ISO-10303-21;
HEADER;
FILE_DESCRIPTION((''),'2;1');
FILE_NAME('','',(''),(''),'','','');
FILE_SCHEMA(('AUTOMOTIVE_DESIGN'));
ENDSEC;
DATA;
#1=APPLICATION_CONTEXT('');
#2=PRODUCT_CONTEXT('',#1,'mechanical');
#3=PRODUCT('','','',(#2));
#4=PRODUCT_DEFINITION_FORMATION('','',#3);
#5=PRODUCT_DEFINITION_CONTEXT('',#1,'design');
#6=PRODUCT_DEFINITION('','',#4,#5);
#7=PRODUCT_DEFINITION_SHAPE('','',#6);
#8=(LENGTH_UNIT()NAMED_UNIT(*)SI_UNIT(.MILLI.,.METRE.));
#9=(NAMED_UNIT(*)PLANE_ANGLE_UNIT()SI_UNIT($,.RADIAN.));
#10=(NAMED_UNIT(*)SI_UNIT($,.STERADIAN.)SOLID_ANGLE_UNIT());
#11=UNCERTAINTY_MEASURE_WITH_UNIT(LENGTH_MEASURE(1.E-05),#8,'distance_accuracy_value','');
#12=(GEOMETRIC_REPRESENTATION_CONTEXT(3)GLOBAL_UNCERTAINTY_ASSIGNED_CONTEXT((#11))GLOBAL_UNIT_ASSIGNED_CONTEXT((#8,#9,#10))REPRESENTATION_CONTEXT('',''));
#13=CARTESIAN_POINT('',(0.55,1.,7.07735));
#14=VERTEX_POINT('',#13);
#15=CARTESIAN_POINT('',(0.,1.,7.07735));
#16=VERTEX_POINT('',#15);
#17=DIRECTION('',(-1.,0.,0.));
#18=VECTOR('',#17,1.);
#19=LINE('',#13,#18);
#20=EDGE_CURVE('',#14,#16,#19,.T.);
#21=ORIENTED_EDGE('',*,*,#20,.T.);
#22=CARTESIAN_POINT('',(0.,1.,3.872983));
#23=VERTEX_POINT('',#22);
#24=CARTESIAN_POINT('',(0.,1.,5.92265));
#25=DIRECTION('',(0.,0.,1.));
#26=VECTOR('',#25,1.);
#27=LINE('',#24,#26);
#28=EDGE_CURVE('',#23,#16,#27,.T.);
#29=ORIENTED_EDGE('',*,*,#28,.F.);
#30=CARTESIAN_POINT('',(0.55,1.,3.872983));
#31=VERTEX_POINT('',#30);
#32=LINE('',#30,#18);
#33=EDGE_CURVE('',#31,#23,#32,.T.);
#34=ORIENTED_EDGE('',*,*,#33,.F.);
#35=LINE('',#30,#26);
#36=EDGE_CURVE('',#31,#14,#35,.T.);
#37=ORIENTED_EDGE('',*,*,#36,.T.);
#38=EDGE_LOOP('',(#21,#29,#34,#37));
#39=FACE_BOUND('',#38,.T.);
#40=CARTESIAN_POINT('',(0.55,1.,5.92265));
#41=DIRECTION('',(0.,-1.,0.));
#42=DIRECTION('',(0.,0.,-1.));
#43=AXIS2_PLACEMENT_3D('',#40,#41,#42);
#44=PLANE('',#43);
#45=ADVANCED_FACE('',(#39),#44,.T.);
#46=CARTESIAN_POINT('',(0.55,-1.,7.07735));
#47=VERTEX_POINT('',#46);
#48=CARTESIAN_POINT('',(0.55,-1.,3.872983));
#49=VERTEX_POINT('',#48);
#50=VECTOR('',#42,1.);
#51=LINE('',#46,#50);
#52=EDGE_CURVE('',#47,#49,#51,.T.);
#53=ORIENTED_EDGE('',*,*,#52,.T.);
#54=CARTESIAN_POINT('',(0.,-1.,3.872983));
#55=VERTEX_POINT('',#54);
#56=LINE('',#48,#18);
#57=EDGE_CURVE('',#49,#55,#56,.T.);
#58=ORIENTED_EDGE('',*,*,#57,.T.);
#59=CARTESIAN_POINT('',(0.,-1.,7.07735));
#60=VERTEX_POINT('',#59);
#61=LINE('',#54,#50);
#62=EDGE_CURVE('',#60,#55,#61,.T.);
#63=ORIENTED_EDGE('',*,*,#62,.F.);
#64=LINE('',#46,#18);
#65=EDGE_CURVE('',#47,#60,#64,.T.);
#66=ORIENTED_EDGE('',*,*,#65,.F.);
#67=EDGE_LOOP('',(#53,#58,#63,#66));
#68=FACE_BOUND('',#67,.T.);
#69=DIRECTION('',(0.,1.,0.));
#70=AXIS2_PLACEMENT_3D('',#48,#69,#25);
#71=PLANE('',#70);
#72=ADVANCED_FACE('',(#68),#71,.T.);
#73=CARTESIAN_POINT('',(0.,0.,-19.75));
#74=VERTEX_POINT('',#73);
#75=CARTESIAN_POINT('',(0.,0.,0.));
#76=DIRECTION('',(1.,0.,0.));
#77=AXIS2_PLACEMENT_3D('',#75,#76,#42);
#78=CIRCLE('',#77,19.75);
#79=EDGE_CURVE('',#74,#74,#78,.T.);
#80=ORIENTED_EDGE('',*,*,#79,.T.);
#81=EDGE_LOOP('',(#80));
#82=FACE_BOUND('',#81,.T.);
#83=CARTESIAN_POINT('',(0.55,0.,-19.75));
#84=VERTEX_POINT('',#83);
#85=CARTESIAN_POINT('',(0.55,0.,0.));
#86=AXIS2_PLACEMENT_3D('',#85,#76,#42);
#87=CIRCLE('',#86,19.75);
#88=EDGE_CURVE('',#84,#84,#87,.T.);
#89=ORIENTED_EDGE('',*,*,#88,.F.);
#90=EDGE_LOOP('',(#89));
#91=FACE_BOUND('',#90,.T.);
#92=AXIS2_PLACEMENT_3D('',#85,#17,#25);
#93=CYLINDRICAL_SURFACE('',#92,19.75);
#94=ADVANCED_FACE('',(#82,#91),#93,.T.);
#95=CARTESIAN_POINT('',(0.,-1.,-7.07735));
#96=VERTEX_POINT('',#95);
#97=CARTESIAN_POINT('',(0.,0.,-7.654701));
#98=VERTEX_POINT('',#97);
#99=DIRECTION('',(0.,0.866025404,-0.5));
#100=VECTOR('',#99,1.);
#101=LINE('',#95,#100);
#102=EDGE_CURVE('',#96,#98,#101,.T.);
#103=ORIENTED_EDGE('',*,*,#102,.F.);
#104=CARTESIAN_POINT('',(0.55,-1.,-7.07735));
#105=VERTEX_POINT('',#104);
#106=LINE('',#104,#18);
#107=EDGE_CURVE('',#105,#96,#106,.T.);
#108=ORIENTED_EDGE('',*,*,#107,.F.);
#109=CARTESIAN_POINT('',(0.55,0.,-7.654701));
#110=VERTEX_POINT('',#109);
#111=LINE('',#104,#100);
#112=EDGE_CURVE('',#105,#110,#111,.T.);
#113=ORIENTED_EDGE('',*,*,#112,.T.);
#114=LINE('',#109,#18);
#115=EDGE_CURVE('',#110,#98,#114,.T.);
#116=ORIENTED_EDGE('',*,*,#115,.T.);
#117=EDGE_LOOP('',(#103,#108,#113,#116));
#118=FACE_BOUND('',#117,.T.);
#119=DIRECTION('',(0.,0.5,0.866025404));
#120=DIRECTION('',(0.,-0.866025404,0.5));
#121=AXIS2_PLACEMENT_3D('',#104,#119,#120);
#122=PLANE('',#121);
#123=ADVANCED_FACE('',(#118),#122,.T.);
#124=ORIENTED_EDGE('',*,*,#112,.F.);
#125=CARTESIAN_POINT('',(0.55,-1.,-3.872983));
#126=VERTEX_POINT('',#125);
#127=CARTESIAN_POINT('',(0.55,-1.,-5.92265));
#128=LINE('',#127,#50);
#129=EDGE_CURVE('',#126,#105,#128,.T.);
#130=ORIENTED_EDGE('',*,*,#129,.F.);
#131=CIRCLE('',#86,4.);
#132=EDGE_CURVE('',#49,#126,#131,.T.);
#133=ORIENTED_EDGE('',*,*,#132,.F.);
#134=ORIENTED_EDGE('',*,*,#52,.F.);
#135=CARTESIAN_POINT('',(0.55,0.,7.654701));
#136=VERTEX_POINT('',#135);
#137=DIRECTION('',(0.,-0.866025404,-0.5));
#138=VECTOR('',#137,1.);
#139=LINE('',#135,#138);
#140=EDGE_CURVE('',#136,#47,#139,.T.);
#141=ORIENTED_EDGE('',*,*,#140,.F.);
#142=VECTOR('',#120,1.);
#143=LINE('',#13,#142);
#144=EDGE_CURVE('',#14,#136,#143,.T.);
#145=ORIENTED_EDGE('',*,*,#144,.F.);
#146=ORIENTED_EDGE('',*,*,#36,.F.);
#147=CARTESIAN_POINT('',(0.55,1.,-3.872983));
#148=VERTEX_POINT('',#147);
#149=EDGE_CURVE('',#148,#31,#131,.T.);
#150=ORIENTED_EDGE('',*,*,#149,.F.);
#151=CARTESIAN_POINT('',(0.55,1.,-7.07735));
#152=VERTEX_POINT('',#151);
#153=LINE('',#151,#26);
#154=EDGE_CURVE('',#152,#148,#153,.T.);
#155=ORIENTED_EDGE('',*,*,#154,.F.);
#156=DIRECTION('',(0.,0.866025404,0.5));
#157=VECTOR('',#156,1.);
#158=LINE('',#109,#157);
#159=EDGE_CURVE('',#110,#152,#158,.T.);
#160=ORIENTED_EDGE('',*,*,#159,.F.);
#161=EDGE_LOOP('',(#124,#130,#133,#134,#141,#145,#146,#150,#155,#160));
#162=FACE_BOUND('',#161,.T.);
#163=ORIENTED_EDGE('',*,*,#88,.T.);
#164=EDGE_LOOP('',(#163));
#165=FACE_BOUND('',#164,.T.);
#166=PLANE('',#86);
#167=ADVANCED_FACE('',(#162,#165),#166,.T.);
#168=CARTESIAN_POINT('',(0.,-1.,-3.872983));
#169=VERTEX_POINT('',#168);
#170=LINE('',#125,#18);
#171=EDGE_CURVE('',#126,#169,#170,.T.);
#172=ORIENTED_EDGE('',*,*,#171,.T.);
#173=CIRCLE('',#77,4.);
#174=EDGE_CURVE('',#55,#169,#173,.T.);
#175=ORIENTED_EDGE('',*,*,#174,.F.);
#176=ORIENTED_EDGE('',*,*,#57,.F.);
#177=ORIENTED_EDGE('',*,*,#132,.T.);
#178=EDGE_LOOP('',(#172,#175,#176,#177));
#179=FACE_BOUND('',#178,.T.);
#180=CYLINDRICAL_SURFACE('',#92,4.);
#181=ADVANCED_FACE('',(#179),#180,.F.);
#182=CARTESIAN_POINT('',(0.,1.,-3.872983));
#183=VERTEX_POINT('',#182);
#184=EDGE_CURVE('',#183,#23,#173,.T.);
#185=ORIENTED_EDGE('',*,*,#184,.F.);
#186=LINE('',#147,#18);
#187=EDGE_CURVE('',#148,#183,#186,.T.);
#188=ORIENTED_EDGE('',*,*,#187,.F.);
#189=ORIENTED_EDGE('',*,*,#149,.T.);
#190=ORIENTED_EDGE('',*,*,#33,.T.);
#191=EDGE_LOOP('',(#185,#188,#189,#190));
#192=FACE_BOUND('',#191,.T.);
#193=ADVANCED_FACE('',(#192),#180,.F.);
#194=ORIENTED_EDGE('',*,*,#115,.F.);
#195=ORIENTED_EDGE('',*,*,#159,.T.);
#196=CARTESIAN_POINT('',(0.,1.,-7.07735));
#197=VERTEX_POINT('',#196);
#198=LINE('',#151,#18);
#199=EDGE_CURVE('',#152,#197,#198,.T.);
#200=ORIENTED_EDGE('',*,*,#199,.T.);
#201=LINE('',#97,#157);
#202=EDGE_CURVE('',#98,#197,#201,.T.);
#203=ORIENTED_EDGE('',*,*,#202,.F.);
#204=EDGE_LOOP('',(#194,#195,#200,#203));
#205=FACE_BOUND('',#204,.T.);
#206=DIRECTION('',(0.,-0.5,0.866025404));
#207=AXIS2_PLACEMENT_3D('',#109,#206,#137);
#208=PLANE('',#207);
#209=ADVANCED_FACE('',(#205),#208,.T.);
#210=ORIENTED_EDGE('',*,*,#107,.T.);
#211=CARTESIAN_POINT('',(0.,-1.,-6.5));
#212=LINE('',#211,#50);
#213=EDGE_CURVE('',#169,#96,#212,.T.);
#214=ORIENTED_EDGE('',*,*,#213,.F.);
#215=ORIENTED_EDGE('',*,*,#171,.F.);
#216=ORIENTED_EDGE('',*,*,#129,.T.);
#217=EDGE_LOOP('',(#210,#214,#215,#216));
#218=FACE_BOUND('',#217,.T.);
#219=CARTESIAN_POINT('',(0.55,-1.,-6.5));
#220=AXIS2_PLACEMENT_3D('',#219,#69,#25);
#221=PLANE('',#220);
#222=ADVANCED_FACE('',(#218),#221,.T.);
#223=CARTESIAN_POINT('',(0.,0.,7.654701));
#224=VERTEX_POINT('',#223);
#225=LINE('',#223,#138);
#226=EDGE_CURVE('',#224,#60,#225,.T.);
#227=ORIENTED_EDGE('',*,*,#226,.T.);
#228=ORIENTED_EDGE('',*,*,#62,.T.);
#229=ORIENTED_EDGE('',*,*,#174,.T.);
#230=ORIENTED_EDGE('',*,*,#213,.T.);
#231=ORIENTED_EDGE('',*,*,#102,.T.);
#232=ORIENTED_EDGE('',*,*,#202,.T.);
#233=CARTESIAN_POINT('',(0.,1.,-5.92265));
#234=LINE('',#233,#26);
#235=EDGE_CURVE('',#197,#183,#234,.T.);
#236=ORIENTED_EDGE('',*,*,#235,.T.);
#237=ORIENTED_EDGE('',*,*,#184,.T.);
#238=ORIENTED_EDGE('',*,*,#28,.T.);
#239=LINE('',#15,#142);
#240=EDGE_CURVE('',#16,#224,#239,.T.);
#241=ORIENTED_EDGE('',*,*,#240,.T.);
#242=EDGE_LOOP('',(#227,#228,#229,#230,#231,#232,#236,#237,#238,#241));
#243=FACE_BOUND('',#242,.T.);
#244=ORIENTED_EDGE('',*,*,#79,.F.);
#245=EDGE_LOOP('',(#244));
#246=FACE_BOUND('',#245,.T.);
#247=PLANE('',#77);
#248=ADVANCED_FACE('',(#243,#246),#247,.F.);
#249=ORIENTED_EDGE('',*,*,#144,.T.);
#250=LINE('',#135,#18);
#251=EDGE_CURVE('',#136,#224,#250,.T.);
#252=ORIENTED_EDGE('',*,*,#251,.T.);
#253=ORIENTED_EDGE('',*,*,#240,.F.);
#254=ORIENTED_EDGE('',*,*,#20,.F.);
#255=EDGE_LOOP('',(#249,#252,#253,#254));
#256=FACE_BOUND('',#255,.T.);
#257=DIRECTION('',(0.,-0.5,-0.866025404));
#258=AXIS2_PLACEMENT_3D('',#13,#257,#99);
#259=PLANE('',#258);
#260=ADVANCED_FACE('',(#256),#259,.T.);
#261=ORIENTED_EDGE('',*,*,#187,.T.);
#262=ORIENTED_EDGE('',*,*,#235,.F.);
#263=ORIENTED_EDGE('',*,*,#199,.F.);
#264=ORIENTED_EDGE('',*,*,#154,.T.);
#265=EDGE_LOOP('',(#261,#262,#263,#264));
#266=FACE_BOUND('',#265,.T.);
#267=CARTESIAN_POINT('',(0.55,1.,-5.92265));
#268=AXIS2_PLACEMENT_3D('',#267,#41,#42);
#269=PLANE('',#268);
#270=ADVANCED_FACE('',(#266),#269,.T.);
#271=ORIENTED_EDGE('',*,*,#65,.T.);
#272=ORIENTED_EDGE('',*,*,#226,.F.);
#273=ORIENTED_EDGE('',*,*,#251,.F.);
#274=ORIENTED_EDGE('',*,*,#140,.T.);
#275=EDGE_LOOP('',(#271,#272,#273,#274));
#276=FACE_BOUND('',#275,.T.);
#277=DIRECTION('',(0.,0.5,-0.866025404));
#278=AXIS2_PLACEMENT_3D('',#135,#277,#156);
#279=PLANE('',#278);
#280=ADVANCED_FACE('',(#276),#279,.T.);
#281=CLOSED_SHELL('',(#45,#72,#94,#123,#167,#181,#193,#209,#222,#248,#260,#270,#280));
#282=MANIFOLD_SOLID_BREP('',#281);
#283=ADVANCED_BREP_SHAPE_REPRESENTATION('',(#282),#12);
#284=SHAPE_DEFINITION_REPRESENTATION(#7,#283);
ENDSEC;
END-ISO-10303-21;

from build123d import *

# Parameters (mm, degrees)
SKETCH1_R           = 19.75
BOSS_EXTRUDE1_DEPTH = 0.55


with BuildPart() as part:
    # Sketch1 → Boss-Extrude1 (new body)
    with BuildSketch(Plane(origin=(0, 0, 0), x_dir=(0, 0, -1), z_dir=(1, 0, 0))):
        Circle(SKETCH1_R)
        with BuildLine():
            Line((5.922649731, 1), (3.872983346, 1))
            ThreePointArc((3.872983346, 1), (0, 4), (-3.872983346, 1))
            Line((-3.872983346, 1), (-5.922649731, 1))
            Line((-5.922649731, 1), (-7.077350269, 1))
            Line((-7.077350269, 1), (-7.654700538, 0))
            Line((-7.654700538, 0), (-7.077350269, -1))
            Line((-7.077350269, -1), (-5.922649731, -1))
            Line((-5.922649731, -1), (-3.872983346, -1))
            ThreePointArc((-3.872983346, -1), (0, -4), (3.872983346, -1))
            Line((3.872983346, -1), (5.922649731, -1))
            Line((5.922649731, -1), (6.5, -1))
            Line((6.5, -1), (7.077350269, -1))
            Line((7.077350269, -1), (7.654700538, 0))
            Line((7.654700538, 0), (7.077350269, 1))
            Line((7.077350269, 1), (6.5, 1))
            Line((6.5, 1), (5.922649731, 1))
        make_face(mode=Mode.SUBTRACT)
    extrude(amount=BOSS_EXTRUDE1_DEPTH)


solid = part.part
